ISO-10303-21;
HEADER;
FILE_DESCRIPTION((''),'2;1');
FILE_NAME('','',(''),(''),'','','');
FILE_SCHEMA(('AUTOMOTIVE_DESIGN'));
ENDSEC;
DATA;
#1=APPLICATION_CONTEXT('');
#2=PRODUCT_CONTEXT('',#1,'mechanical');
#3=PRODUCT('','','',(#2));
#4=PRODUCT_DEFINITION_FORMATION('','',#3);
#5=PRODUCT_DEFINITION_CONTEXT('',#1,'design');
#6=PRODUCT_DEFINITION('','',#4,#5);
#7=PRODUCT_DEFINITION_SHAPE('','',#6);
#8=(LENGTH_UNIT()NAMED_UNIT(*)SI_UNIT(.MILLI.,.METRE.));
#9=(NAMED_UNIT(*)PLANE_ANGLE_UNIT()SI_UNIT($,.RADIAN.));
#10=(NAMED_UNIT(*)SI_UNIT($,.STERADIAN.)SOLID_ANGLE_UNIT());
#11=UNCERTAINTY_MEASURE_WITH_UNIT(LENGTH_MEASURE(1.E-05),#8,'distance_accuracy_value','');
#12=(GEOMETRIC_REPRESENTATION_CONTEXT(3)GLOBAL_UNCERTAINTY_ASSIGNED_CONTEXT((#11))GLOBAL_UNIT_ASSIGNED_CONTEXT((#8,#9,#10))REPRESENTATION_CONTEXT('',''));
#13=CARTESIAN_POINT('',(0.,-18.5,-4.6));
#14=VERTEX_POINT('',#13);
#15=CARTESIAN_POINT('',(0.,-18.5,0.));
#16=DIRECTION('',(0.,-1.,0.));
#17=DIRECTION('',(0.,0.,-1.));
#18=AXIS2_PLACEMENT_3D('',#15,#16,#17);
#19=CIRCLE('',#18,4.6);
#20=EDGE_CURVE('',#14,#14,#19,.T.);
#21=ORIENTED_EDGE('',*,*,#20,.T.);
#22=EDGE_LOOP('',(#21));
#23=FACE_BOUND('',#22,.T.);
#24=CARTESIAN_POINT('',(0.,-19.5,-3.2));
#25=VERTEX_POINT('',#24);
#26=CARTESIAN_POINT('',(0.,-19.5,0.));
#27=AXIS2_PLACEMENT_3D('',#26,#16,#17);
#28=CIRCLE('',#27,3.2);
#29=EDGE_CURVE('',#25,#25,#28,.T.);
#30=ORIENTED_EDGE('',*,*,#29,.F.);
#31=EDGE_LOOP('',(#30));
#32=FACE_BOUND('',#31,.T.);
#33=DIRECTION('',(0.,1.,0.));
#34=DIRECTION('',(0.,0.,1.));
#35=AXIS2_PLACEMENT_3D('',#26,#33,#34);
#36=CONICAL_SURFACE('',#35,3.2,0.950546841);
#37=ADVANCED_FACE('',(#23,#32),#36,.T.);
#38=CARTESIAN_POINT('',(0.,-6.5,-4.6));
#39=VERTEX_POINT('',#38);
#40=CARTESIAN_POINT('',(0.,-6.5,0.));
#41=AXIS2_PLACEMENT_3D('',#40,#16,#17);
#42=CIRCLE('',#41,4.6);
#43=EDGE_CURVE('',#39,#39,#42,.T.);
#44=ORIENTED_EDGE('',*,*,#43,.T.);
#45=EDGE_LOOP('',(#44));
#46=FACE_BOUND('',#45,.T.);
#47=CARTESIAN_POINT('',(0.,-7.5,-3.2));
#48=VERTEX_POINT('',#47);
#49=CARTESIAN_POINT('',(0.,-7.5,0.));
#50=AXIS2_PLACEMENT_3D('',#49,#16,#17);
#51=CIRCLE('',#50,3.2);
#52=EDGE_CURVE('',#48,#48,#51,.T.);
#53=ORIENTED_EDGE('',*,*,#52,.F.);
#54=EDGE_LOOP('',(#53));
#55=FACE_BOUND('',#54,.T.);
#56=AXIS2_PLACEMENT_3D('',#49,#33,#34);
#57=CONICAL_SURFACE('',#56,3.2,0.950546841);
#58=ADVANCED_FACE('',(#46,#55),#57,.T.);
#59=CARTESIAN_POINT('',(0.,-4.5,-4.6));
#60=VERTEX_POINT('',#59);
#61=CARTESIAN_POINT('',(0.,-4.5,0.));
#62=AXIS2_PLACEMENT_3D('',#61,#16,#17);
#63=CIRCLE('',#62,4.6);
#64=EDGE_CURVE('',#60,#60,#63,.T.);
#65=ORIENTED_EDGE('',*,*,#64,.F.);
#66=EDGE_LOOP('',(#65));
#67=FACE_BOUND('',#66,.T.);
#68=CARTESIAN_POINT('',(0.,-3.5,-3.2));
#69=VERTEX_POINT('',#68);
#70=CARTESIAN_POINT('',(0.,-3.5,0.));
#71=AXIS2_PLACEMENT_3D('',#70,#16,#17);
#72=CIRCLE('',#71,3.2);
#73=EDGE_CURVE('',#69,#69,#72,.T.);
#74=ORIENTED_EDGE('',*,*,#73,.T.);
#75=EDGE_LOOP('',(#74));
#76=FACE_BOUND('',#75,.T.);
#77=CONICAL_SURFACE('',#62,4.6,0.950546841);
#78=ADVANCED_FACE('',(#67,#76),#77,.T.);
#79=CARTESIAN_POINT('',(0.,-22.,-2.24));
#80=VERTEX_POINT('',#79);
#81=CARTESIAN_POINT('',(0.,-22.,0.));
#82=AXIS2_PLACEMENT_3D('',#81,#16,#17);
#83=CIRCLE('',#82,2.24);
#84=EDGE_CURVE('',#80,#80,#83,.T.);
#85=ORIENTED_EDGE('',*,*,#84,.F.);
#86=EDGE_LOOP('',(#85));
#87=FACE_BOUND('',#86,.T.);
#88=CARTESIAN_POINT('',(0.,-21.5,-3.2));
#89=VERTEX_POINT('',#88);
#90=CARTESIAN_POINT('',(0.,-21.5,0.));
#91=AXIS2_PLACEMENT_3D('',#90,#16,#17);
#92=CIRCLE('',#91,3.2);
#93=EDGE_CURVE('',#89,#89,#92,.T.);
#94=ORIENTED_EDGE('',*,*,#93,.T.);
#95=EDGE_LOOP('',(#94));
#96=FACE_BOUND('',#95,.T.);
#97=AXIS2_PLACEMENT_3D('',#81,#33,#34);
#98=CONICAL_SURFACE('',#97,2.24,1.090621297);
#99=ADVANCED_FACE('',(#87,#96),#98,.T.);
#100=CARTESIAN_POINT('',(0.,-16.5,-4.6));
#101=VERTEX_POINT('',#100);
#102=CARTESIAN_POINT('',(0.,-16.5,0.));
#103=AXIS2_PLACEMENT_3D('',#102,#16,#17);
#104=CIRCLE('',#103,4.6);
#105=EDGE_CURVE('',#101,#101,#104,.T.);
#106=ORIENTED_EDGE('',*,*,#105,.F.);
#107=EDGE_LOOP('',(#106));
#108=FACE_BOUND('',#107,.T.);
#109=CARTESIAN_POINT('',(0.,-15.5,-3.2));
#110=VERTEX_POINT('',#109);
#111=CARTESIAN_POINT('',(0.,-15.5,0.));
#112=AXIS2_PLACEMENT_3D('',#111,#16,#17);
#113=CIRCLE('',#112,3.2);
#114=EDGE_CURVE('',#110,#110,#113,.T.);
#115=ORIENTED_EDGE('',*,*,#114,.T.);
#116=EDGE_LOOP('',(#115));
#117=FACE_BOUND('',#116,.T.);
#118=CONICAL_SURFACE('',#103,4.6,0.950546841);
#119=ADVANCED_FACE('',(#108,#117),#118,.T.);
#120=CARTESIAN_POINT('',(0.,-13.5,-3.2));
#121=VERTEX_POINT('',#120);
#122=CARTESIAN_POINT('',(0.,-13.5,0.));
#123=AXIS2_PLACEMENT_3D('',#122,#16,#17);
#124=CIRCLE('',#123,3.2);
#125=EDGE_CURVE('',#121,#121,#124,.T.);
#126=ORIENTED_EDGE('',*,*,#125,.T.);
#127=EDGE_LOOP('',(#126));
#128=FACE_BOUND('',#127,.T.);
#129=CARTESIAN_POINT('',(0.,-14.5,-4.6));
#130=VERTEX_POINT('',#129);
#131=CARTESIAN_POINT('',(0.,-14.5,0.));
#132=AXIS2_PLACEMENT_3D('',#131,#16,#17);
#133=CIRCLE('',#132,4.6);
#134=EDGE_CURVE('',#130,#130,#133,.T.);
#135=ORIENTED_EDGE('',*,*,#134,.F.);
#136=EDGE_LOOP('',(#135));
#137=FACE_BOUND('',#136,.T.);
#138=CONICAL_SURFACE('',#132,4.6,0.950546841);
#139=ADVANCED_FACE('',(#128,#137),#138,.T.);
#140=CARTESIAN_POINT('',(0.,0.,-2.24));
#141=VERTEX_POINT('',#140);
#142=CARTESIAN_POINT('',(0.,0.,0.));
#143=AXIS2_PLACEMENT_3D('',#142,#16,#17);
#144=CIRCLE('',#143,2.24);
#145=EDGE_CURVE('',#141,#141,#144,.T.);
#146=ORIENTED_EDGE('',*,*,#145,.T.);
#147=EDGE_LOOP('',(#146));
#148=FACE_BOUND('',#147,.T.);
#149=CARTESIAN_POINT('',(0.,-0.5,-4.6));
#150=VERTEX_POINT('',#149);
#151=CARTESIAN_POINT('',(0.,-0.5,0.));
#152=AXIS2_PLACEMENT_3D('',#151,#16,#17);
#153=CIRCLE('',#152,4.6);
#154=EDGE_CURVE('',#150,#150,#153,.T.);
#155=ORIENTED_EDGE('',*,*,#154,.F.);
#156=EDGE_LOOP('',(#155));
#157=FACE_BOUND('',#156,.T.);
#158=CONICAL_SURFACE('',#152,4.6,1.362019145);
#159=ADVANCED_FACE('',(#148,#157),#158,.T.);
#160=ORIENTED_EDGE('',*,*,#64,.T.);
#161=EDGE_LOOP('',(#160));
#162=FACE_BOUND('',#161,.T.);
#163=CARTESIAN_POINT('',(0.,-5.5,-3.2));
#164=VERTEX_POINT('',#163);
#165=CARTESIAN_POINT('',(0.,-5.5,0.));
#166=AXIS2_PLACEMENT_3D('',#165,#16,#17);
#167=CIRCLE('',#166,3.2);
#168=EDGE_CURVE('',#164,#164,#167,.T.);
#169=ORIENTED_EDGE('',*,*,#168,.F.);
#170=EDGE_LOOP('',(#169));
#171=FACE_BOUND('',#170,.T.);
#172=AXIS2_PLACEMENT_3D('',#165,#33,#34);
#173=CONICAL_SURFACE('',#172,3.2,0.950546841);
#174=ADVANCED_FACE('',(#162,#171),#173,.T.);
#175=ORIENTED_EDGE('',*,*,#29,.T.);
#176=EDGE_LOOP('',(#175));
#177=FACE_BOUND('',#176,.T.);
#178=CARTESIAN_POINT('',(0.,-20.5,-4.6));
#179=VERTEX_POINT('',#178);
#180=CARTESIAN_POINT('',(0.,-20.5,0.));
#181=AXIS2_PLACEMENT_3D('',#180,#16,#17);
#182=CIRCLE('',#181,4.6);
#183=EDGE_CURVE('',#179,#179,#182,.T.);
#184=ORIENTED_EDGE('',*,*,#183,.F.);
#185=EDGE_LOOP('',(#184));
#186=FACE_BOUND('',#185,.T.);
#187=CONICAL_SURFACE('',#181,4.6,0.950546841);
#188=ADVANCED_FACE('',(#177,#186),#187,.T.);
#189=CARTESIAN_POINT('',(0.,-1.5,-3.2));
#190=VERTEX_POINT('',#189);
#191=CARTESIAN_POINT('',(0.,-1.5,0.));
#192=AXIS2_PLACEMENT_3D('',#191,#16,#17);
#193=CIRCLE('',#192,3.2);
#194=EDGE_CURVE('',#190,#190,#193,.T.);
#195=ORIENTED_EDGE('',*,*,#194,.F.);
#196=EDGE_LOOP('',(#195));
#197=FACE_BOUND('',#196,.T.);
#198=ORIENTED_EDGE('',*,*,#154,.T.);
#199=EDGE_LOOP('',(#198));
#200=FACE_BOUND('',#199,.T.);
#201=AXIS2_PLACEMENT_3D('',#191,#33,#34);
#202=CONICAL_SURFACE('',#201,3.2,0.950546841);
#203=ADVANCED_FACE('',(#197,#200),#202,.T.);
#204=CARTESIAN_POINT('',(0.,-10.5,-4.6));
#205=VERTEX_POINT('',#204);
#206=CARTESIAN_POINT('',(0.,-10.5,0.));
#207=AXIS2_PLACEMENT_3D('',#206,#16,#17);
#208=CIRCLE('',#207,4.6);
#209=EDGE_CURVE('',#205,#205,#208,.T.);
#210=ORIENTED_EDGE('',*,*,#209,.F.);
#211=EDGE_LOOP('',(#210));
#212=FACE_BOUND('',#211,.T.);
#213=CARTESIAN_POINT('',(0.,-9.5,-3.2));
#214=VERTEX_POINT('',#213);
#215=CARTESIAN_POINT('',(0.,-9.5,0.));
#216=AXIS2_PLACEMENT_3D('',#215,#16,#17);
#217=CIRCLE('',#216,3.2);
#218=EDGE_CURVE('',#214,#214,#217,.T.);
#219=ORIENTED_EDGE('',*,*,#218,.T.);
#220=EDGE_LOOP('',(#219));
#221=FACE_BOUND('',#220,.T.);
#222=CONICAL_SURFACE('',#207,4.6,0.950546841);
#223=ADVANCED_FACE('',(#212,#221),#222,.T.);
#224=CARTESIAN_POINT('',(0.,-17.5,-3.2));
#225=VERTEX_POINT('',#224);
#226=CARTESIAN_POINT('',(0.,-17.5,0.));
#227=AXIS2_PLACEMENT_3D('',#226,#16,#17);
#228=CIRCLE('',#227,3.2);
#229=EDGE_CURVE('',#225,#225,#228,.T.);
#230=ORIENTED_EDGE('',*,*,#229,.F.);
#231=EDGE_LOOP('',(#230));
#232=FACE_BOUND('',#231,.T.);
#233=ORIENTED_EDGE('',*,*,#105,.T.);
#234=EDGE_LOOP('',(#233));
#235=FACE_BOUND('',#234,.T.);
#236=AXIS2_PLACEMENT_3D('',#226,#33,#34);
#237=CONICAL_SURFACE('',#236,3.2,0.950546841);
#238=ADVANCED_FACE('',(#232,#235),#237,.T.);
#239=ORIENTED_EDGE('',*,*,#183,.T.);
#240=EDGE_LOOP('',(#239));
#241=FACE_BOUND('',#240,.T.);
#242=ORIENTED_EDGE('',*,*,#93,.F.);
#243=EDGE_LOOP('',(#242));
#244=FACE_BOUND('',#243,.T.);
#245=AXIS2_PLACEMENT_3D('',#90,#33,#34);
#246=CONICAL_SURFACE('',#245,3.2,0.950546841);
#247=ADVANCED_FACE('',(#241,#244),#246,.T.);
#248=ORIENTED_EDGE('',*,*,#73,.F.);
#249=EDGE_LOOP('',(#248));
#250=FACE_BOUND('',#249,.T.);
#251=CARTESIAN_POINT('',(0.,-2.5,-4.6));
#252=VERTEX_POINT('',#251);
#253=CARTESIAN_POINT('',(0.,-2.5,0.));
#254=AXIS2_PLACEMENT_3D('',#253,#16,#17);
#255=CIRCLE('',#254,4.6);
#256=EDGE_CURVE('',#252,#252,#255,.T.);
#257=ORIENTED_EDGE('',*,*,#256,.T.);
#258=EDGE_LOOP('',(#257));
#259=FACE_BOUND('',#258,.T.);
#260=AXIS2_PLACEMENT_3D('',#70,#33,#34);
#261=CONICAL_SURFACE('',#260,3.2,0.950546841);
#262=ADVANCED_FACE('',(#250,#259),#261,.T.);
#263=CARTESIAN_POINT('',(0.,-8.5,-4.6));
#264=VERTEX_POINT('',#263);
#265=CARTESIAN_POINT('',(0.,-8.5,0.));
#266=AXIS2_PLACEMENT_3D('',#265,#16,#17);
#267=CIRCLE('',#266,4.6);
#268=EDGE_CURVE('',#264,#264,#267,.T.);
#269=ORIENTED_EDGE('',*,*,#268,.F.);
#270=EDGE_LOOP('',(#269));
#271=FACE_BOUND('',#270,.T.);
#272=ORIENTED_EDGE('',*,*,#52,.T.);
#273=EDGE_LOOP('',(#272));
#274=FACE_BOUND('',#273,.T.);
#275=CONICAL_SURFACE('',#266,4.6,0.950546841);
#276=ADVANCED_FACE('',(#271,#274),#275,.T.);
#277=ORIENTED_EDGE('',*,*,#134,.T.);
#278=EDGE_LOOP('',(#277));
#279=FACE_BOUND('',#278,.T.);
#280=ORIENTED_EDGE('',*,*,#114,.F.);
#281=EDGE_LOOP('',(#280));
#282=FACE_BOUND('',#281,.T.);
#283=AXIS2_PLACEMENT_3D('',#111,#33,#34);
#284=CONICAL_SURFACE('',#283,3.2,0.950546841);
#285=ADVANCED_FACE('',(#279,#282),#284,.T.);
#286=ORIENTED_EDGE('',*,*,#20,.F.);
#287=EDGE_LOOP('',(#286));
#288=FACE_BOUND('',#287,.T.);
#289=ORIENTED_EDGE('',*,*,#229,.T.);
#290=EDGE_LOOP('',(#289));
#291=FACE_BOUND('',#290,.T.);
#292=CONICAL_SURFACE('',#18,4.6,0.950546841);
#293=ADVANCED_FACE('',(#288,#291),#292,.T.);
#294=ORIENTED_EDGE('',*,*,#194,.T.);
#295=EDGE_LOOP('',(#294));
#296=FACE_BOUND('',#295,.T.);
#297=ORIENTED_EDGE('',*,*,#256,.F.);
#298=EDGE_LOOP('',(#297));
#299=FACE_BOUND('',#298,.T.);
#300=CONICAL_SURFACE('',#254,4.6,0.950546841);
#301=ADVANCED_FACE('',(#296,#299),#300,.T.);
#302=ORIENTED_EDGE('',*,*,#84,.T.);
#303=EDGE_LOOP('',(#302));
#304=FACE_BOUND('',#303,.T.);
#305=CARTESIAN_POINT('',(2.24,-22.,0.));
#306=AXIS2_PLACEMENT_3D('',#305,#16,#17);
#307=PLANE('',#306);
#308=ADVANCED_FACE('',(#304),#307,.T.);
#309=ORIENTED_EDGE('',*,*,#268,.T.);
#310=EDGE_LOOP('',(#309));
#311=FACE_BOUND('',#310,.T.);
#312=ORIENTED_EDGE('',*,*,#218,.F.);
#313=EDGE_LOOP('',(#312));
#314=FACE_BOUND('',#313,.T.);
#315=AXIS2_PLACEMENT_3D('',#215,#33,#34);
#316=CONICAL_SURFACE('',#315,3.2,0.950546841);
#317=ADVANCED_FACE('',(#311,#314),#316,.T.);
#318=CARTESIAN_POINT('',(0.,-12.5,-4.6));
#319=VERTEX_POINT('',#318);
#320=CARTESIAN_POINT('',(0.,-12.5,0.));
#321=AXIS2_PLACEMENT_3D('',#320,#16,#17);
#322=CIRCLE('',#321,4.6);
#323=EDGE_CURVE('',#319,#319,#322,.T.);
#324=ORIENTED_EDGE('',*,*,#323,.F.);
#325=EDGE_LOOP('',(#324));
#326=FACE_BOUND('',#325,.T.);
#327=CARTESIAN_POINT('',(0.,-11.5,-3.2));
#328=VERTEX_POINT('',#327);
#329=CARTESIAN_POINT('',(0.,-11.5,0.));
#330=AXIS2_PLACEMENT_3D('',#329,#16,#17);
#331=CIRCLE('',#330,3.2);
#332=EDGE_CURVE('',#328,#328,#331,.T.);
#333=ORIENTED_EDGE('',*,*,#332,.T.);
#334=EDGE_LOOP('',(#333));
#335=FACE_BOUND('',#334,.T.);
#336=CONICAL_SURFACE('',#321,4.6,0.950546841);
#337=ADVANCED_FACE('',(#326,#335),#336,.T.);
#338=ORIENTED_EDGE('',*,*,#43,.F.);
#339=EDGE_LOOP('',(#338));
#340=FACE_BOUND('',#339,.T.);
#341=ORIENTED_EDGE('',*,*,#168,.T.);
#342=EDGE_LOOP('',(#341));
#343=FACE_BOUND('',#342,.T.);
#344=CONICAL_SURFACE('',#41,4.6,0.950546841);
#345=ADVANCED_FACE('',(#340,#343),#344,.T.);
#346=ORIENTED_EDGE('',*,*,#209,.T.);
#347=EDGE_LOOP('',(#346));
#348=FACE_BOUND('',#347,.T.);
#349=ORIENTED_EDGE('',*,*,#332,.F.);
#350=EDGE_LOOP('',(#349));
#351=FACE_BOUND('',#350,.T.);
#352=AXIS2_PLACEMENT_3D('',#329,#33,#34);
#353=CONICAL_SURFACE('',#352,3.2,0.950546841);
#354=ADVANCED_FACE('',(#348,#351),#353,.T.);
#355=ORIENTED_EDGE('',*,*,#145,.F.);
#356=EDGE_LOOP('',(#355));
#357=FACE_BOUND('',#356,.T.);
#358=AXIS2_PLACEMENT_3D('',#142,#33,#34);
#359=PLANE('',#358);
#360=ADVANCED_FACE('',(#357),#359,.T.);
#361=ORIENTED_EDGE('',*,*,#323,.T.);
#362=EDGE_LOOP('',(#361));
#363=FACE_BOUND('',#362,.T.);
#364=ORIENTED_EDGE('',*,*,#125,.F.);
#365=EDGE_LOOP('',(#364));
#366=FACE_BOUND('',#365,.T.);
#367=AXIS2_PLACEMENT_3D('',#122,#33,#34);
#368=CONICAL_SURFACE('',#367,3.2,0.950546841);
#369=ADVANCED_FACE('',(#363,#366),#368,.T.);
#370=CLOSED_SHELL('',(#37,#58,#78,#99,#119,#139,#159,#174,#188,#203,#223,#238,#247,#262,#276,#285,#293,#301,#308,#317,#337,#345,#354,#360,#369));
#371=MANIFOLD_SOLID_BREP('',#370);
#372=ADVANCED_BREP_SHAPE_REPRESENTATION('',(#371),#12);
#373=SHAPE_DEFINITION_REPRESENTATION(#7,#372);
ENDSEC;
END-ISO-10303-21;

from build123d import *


with BuildPart() as part:
    # Sketch1 → Elemento_elastico_en_serie (revolve)
    with BuildSketch(Plane.XY, mode=Mode.PRIVATE) as elemento_elastico_en_serie_sk:
        Polygon((0, 0), (2.24, 0), (4.6, -0.5), (3.2, -1.5), (4.6, -2.5), (3.2, -3.5), (4.6, -4.5), (3.2, -5.5), (4.6, -6.5), (3.2, -7.5), (4.6, -8.5), (3.2, -9.5), (4.6, -10.5), (3.2, -11.5), (4.6, -12.5), (3.2, -13.5), (4.6, -14.5), (3.2, -15.5), (4.6, -16.5), (3.2, -17.5), (4.6, -18.5), (3.2, -19.5), (4.6, -20.5), (3.2, -21.5), (2.24, -22), (0, -22), align=None)
    revolve(elemento_elastico_en_serie_sk.sketch.rotate(Axis((0, -26, 0), (0, 1, 0)), 90), axis=Axis((0, -26, 0), (0, 1, 0)))


solid = part.part
